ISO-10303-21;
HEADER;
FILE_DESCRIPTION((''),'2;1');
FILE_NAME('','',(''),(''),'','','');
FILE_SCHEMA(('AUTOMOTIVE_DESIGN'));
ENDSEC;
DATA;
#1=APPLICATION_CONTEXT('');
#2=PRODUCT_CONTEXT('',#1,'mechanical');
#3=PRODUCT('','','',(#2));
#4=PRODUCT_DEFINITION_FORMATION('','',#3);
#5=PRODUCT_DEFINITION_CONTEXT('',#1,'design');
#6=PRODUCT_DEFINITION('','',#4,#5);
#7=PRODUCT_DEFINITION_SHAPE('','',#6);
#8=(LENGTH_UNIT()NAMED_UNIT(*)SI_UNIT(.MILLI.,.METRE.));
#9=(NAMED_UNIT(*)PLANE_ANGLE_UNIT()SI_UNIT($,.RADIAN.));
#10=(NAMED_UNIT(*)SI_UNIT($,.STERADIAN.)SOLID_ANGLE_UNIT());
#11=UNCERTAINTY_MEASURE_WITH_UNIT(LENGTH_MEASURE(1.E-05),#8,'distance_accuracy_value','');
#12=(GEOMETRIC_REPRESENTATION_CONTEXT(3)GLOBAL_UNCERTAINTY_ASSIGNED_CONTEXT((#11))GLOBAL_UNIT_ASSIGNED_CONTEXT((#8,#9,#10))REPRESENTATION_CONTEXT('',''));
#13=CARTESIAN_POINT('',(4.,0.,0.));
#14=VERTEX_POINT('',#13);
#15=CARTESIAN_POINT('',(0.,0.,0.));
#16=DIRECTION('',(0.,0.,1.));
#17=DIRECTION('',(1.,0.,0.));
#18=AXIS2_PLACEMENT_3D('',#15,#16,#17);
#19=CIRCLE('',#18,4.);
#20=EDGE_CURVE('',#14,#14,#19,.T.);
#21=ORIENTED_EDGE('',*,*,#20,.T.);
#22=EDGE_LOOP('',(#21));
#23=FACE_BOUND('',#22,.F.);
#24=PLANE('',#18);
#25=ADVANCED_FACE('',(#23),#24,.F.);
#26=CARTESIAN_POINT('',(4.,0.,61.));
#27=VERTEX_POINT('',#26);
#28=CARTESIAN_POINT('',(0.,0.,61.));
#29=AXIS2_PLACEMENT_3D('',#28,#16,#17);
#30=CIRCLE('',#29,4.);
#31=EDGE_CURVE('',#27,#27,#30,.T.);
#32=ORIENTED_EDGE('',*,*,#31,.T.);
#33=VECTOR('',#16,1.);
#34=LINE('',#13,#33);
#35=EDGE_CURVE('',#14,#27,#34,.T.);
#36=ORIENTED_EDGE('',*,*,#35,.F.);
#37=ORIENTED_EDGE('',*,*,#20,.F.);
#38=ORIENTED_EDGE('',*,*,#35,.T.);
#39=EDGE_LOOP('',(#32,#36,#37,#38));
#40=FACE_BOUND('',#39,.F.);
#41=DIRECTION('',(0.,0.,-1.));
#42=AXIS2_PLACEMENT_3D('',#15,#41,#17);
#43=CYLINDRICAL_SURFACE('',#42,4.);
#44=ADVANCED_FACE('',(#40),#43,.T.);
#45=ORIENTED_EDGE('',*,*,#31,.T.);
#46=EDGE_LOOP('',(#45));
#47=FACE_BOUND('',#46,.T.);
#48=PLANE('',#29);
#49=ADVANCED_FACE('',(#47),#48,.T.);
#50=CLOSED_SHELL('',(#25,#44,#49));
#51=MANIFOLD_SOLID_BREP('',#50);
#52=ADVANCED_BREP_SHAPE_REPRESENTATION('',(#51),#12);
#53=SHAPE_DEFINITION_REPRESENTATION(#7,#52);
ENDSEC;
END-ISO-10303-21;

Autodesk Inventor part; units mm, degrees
ref_plane "YZ Plane" through (0, 0, 0) normal (1, 0, 0) x (0, 1, 0)
ref_plane "XZ Plane" through (0, 0, 0) normal (0, 1, 0) x (-1, 0, 0)
ref_plane "XY Plane" through (0, 0, 0) normal (0, 0, 1) x (1, 0, 0)
sketch "Sketch1" plane through (0, 0, 0) normal (0, 0, 1) x (1, 0, 0)
  circle A0 centre (0, 0) radius 4
  dimension "d0" = 8
extrude "Extrusion1" add sketch "Sketch1" along normal blind 61
equation "\"BendRadius\" = Thickness"
equation "\"BendReliefWidth\" = Thickness"
equation "\"BendReliefDepth\" = 0.5 * Thickness"
equation "\"CornerReliefSize\" = 4 * Thickness"
equation "\"MinimumRemnant\" = 2 * Thickness"
equation "\"TransitionRadius\" = BendRadius"
equation "\"JacobiRadiusSize\" = BendRadius"
equation "\"GapSize\" = Thickness"
equation "\"Thickness\" = 0.5"
properties part number "wheel shaft2"
